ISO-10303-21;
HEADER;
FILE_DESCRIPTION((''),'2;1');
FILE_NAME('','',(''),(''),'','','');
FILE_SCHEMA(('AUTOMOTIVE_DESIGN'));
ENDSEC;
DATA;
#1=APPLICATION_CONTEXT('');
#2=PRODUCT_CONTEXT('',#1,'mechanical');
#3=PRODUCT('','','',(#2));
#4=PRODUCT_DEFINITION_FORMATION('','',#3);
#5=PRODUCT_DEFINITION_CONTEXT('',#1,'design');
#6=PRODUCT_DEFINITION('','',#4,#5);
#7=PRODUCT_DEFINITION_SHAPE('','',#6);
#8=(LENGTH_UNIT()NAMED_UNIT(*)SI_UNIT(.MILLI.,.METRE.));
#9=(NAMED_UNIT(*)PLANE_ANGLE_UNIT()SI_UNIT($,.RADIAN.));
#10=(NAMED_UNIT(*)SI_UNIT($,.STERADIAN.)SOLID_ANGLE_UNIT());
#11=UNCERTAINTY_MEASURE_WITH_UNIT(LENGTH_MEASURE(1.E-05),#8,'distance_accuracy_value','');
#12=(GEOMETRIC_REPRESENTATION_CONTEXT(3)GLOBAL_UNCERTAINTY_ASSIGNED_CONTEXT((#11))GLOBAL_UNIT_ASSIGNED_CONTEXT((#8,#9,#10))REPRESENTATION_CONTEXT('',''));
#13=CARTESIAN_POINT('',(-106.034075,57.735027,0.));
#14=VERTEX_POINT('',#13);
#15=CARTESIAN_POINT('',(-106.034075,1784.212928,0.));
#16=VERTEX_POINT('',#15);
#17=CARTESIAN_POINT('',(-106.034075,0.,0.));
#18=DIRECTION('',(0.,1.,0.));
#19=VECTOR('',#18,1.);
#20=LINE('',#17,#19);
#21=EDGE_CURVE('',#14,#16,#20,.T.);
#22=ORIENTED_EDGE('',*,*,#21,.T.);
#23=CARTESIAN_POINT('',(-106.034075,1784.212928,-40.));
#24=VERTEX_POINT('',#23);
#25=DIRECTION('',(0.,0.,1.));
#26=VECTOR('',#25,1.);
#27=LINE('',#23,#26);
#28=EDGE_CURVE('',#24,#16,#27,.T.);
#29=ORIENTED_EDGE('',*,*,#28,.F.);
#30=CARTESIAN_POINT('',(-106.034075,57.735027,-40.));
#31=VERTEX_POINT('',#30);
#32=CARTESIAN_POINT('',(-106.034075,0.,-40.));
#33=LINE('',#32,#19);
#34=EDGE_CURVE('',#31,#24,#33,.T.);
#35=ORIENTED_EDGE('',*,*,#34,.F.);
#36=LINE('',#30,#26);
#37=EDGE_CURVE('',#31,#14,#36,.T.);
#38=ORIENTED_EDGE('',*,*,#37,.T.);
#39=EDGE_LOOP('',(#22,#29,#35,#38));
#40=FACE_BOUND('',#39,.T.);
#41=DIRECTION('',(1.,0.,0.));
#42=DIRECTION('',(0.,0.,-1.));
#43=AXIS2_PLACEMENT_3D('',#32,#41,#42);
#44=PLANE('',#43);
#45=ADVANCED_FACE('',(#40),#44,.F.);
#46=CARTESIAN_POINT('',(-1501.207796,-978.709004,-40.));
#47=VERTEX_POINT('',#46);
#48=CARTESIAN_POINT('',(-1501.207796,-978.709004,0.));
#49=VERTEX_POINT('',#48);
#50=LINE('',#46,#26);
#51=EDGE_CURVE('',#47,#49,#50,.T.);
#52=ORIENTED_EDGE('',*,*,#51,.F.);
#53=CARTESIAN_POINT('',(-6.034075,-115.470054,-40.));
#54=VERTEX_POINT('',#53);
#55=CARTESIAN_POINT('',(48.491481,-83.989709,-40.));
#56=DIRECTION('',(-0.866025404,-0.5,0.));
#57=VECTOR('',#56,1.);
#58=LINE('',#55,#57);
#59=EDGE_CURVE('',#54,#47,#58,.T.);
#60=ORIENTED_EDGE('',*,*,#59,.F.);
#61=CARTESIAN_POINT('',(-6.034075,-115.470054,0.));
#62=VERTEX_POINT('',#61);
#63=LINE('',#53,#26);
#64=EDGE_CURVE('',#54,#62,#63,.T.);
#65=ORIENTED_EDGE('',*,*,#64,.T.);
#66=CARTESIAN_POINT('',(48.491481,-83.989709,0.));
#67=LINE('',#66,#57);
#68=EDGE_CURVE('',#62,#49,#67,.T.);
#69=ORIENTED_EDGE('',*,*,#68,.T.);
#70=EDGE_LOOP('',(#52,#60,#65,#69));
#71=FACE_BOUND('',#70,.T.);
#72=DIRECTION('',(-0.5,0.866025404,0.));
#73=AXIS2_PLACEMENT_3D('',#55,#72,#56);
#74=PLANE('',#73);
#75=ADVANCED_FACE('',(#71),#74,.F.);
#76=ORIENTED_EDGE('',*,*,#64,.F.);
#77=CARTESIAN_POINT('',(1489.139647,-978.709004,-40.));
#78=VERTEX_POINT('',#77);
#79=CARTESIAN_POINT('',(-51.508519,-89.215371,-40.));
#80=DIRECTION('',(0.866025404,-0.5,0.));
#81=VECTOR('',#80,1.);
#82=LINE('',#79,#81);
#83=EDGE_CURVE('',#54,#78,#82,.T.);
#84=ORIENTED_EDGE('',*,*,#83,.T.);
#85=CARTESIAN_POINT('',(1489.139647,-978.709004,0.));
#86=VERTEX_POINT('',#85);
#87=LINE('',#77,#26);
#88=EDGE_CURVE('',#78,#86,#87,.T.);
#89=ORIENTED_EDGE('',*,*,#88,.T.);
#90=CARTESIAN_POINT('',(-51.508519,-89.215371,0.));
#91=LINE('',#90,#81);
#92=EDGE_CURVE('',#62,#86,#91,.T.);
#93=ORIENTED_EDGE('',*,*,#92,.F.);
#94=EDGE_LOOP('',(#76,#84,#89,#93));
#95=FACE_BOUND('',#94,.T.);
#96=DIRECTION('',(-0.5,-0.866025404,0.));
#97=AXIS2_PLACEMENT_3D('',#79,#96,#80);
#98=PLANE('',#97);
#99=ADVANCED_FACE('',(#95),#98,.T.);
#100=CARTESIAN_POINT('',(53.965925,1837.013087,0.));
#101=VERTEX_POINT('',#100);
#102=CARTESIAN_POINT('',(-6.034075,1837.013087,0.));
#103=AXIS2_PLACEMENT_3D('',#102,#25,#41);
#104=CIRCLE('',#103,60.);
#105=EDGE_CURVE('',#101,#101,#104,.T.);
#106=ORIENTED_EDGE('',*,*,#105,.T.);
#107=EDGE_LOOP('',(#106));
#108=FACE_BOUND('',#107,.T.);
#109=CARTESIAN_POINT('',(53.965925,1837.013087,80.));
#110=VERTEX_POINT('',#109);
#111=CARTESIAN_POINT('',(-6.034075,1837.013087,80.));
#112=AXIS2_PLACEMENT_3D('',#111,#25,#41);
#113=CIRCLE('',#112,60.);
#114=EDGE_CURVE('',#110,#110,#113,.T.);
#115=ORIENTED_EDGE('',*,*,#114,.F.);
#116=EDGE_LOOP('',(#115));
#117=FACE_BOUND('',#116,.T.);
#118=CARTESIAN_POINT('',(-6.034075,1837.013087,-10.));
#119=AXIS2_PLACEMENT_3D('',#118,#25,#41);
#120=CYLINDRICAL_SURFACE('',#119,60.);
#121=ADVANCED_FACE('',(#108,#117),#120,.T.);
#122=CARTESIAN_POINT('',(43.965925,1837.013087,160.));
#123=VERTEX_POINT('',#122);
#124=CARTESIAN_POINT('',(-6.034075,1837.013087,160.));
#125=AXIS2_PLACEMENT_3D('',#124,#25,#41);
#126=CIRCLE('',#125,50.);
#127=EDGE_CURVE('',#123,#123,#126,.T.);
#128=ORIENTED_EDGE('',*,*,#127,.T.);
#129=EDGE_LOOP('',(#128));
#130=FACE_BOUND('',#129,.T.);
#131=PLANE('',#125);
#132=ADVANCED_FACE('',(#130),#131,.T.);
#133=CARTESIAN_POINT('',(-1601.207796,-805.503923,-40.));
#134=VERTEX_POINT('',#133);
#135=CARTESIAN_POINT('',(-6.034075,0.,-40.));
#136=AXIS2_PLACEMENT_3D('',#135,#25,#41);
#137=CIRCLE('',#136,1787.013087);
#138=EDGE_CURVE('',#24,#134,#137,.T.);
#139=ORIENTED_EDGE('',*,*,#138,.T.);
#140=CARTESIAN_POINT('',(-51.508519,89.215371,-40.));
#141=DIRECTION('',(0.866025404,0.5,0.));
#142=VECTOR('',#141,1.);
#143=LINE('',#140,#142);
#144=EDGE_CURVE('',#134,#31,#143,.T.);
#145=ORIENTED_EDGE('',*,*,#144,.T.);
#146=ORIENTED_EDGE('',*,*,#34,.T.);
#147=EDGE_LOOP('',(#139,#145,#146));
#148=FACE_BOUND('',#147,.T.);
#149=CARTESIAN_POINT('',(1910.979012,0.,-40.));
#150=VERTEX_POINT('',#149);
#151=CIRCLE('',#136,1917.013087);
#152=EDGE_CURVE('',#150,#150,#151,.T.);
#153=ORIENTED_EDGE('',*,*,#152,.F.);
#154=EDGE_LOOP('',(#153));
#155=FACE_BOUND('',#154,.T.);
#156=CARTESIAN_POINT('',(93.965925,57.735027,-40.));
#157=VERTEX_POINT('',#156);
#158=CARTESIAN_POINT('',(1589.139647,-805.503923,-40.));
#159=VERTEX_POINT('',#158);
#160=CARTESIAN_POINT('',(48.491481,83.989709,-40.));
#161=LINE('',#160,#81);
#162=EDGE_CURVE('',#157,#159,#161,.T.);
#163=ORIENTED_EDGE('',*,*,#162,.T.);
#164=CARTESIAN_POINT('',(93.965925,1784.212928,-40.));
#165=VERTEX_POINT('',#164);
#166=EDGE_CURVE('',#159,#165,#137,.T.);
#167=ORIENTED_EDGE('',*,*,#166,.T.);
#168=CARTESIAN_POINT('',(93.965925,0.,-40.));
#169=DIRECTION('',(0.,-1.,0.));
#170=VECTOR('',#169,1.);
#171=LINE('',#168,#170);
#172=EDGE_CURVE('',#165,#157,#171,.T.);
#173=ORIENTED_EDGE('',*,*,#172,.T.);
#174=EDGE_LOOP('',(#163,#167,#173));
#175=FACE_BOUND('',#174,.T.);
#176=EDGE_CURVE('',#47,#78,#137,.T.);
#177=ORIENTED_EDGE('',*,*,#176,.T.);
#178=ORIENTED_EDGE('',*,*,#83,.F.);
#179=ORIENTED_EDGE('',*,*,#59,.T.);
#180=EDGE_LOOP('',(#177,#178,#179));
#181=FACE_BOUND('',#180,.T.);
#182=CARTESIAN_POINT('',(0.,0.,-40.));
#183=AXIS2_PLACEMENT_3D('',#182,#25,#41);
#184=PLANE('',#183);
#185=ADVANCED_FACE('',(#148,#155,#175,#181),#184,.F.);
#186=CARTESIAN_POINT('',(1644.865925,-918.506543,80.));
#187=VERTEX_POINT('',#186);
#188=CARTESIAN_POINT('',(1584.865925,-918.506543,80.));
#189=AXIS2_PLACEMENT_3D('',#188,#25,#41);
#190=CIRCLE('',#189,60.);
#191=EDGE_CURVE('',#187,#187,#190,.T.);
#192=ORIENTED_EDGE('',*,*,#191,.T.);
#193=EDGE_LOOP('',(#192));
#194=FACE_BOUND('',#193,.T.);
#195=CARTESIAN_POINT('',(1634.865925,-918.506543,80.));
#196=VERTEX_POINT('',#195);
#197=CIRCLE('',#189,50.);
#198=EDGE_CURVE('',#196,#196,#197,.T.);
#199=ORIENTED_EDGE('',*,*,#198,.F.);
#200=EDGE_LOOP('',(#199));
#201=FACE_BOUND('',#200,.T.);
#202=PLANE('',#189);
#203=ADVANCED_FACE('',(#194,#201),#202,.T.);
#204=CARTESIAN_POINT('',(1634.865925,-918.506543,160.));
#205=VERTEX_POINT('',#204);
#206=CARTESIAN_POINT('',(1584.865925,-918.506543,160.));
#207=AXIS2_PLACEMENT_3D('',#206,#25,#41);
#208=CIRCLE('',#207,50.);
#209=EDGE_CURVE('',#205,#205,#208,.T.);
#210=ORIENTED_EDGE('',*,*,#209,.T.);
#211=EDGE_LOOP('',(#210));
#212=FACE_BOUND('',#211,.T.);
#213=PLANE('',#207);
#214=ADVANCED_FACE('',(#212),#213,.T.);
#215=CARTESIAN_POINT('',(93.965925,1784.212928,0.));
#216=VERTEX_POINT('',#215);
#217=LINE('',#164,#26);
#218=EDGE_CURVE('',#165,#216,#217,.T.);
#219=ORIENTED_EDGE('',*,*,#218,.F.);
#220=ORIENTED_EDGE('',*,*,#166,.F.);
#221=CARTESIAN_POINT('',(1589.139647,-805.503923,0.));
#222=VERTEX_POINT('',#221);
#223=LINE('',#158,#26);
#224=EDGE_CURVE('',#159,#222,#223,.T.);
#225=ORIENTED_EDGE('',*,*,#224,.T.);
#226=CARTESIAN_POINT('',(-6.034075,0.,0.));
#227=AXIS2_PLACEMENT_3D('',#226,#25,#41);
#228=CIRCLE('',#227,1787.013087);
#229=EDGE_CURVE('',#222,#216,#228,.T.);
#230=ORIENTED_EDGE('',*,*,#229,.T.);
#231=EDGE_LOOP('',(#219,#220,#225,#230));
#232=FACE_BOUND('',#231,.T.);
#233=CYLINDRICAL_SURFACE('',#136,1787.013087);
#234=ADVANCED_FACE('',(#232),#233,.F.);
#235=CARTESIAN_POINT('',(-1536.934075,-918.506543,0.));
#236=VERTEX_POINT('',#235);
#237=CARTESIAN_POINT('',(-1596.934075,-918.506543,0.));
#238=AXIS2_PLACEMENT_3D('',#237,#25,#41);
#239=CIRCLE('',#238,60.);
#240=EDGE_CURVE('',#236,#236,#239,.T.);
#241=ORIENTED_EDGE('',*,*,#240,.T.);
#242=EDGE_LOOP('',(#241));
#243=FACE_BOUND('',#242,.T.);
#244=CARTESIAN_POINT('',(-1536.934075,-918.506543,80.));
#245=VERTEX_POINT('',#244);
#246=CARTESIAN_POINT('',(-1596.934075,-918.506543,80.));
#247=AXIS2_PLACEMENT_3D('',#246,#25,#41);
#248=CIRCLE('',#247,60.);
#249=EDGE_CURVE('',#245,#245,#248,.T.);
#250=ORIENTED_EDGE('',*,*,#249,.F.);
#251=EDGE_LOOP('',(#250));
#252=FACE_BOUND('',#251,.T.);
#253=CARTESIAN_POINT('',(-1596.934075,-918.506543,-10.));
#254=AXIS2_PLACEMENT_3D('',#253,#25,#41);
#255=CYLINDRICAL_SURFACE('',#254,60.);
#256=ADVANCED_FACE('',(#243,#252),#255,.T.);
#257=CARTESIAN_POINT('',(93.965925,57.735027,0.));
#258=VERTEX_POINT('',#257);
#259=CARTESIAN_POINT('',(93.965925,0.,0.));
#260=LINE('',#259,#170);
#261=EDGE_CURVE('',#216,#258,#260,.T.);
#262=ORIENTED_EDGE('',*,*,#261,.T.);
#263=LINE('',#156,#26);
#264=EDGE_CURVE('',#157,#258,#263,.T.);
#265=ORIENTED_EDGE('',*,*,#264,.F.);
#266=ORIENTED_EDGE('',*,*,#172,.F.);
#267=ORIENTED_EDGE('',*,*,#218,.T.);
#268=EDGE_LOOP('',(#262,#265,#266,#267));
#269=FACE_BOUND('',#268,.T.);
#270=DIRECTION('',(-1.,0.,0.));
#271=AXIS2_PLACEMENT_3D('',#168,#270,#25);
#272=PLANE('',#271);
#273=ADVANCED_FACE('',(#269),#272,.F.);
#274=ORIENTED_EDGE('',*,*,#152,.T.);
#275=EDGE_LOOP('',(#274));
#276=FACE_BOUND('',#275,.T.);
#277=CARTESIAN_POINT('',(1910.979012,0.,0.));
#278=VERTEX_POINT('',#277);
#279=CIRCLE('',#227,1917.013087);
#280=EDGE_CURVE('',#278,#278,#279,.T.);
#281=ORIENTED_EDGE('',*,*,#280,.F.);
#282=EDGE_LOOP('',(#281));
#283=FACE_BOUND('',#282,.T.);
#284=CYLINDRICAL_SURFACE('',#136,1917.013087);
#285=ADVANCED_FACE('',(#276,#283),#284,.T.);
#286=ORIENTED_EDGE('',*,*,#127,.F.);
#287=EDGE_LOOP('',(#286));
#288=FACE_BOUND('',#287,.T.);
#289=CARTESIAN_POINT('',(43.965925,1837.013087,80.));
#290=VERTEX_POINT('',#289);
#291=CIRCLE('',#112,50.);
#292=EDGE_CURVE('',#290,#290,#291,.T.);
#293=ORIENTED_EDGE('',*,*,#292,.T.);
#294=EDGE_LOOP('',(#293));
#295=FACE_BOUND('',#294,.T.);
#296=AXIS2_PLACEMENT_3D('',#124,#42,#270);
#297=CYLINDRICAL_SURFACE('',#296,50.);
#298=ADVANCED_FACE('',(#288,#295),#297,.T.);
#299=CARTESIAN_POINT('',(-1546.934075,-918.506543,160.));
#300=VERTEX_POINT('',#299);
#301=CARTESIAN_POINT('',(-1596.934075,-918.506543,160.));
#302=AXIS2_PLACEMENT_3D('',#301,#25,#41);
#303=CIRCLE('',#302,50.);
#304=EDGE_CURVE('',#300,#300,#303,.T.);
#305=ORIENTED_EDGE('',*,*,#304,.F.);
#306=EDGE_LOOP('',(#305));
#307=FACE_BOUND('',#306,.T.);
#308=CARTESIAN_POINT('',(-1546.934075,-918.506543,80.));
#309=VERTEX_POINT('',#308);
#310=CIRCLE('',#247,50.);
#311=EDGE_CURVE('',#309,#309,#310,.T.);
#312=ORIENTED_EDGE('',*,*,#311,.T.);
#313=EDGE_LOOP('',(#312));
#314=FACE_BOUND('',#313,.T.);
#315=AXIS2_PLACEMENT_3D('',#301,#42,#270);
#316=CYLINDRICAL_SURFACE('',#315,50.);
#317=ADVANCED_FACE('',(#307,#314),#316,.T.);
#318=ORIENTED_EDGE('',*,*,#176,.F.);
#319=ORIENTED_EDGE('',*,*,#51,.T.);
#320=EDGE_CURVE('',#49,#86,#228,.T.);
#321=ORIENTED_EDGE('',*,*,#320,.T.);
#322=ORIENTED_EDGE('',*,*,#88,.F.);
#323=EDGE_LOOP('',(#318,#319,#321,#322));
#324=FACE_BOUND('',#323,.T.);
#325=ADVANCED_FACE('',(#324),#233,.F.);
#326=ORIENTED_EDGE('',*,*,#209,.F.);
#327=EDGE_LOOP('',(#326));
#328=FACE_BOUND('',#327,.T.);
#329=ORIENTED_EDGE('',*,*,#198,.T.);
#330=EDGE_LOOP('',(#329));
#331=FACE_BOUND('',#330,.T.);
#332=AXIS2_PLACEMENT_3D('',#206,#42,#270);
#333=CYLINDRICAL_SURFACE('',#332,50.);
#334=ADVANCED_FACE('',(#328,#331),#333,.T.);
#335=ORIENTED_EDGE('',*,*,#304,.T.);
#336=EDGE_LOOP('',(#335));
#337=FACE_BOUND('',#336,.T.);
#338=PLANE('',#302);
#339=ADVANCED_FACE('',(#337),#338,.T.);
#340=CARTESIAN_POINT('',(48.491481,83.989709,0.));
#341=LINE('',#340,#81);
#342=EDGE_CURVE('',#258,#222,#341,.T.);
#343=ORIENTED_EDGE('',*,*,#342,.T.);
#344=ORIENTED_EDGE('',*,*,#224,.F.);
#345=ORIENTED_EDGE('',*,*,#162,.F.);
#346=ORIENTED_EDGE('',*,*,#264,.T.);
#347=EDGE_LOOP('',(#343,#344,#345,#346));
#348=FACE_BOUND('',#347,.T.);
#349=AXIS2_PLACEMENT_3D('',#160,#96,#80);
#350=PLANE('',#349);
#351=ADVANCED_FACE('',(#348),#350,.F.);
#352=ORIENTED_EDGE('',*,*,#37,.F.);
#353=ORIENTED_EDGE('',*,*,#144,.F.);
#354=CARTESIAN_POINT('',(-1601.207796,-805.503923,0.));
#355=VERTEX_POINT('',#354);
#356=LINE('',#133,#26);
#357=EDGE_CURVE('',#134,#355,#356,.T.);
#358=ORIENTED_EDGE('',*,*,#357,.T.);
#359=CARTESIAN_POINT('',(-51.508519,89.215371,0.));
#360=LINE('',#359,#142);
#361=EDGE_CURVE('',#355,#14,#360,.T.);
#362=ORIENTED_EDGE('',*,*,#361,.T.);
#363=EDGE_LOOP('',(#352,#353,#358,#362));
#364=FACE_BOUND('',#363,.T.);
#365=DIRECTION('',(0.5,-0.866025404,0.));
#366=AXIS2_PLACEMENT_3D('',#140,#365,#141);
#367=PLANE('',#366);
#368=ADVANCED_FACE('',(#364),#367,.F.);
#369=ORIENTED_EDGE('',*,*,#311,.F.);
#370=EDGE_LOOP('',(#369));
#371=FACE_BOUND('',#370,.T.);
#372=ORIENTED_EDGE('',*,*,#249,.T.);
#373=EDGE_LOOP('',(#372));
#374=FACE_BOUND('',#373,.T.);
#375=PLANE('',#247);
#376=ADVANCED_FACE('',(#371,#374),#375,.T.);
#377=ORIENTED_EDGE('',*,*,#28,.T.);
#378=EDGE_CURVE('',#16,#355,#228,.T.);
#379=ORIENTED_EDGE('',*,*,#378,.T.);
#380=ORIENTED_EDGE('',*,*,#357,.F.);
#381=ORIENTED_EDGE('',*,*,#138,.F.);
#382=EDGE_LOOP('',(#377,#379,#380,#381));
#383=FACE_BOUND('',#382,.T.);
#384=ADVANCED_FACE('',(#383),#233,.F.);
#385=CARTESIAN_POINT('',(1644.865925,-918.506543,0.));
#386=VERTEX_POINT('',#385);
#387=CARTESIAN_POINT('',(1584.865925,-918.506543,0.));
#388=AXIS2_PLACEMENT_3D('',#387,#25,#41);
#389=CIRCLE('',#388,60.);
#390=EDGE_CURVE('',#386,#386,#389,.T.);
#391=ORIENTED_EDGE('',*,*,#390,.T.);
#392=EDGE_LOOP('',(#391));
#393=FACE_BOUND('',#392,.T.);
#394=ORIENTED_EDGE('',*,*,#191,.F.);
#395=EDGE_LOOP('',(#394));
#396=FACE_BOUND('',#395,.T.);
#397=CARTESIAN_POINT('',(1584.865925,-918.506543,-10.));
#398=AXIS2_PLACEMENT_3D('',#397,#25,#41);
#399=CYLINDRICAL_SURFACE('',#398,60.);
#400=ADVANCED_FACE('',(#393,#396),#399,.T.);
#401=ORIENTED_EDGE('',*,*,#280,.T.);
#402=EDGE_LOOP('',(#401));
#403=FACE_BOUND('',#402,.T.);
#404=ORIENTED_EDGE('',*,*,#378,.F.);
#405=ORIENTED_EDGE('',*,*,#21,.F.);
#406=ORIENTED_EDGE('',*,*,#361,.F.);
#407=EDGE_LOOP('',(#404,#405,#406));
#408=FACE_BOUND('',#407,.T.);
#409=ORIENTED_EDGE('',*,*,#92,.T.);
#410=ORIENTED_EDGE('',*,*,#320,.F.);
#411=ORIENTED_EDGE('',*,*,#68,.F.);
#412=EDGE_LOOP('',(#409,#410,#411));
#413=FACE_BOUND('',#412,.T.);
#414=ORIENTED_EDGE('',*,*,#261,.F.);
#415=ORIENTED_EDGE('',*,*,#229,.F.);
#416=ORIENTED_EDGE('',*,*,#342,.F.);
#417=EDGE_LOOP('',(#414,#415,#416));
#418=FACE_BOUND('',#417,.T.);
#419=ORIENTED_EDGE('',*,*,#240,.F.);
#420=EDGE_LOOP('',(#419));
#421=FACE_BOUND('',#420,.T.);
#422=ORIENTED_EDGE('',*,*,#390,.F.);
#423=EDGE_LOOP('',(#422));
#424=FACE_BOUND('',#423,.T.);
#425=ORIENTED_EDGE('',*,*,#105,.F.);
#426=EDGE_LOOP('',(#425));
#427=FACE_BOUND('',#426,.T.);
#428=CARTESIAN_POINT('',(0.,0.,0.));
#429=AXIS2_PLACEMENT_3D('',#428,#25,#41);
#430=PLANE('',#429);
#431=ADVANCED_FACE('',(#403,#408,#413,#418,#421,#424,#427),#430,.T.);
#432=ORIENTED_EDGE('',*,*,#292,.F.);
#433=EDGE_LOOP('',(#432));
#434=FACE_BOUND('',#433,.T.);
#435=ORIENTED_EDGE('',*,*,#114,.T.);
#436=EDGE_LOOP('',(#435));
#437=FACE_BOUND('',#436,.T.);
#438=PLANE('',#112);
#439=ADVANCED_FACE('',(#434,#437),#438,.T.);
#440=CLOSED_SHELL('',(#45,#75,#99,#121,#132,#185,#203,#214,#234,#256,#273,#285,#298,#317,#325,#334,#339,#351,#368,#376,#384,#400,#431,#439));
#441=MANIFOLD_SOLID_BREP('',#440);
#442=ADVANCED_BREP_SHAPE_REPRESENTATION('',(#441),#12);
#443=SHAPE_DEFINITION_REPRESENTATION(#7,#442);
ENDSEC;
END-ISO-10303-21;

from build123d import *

# Parameters (mm, degrees)
SKETCH1_R                = 1917.013086508
BOSS_EXTRUDE1_DEPTH      = 40
SKETCH1_4_R              = 50
BOSS_EXTRUDE2_DEPTH      = 160
BOSS_EXTRUDE3_DEPTH      = 80
BOSS_EXTRUDE3_DEPTH_BACK = 10
SKETCH1_5_R              = 60


with BuildPart() as part:
    # Sketch1 → Boss-Extrude1 (new body)
    with BuildSketch(Plane.XY):
        with Locations((-6.034074555, 0)):
            Circle(SKETCH1_R)
        with BuildLine():
            ThreePointArc((93.965925445, 1784.212927694), (1541.564655256, 893.506543254), (1589.139646589, -805.503923468))
            Line((1589.139646589, -805.503923468), (93.965925445, 57.735026919))
            Line((93.965925445, 57.735026919), (93.965925445, 1784.212927694))
        make_face(mode=Mode.SUBTRACT)
        with BuildLine():
            Line((-106.034074555, 1784.212927694), (-106.034074555, 57.735026919))
            Line((-106.034074555, 57.735026919), (-1601.207795698, -805.503923468))
            ThreePointArc((-1601.207795698, -805.503923468), (-1553.632804365, 893.506543254), (-106.034074555, 1784.212927694))
        make_face(mode=Mode.SUBTRACT)
        with BuildLine():
            Line((-1501.207795698, -978.709004225), (-6.034074555, -115.470053838))
            Line((-6.034074555, -115.470053838), (1489.139646589, -978.709004225))
            ThreePointArc((1489.139646589, -978.709004225), (-6.034074555, -1787.013086508), (-1501.207795698, -978.709004225))
        make_face(mode=Mode.SUBTRACT)
    extrude(amount=-BOSS_EXTRUDE1_DEPTH)

    # Sketch1<4> → Boss-Extrude2 (add)
    with BuildSketch(Plane.XY):
        with Locations((1584.865925445, -918.506543254)):
            Circle(SKETCH1_4_R)
        with Locations((-1596.934074555, -918.506543254)):
            Circle(SKETCH1_4_R)
        with Locations((-6.034074555, 1837.013086508)):
            Circle(SKETCH1_4_R)
    extrude(amount=BOSS_EXTRUDE2_DEPTH)

    # Sketch1<5> → Boss-Extrude3 (add, two sides: drawn at the far end of the back side and taken through both)
    with BuildSketch(Plane.XY.offset(-BOSS_EXTRUDE3_DEPTH_BACK)):
        with Locations((-1596.934074555, -918.506543254)):
            Circle(SKETCH1_5_R)
        with Locations((-6.034074555, 1837.013086508)):
            Circle(SKETCH1_5_R)
        with Locations((1584.865925445, -918.506543254)):
            Circle(SKETCH1_5_R)
    extrude(amount=BOSS_EXTRUDE3_DEPTH + BOSS_EXTRUDE3_DEPTH_BACK)


solid = part.part
